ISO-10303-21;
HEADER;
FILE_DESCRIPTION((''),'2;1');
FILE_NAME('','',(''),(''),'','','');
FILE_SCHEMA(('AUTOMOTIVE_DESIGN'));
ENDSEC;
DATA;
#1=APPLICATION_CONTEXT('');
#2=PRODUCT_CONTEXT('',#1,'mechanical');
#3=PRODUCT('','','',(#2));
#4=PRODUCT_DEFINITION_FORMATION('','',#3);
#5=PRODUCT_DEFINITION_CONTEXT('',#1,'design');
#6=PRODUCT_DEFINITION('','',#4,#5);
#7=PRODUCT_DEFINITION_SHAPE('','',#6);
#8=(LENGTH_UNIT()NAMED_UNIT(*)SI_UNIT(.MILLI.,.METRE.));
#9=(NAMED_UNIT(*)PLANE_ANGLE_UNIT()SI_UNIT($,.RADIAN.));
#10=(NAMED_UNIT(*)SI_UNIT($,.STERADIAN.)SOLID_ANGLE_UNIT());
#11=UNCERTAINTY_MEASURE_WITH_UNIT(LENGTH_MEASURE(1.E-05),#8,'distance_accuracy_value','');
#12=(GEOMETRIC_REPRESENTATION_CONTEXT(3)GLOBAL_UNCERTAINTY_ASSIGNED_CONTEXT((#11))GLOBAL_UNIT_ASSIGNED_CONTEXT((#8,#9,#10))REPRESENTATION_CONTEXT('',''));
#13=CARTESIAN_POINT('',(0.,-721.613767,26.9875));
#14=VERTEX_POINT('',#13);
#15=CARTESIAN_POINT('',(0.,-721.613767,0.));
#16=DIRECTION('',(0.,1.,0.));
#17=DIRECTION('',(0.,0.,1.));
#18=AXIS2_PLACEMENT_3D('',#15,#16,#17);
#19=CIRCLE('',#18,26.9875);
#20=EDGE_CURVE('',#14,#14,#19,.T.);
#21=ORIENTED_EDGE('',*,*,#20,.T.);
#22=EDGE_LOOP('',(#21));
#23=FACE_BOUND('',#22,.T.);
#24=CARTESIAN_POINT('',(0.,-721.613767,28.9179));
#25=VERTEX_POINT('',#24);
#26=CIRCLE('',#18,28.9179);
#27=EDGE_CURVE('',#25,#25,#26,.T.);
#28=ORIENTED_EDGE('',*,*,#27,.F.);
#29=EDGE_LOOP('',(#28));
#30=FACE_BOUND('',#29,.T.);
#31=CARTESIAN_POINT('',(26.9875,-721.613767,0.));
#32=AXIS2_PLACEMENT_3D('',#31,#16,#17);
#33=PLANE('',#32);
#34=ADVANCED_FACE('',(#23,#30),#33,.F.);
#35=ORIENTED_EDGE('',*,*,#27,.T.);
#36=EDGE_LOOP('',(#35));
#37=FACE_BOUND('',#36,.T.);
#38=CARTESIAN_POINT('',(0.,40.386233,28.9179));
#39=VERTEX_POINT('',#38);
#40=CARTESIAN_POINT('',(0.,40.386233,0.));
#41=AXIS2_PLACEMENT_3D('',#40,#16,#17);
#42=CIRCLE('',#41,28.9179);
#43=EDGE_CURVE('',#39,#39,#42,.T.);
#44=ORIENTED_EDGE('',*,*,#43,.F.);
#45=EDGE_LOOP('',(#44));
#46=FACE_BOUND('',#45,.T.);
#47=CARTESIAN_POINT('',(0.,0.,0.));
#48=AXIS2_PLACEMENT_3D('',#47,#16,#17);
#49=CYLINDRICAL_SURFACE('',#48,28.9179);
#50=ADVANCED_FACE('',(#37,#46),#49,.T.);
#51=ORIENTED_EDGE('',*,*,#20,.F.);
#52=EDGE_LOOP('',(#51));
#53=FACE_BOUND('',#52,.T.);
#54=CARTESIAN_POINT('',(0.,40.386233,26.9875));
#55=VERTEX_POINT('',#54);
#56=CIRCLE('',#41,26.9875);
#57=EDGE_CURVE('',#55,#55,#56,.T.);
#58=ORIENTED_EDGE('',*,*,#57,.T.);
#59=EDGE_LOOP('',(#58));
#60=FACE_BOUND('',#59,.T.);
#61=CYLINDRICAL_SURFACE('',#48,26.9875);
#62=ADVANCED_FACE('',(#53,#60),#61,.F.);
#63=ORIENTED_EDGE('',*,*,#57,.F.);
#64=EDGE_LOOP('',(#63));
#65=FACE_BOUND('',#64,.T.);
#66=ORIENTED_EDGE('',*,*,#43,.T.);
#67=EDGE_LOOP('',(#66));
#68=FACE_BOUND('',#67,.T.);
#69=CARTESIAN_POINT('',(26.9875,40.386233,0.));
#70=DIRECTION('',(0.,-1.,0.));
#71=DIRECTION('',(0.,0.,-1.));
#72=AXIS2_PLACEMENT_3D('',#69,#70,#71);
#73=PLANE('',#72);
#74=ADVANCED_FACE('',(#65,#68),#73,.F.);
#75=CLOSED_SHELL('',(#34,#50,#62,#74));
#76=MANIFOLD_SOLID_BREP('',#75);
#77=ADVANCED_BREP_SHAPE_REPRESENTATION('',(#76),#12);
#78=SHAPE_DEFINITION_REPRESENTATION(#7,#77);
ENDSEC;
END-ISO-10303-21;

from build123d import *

# Parameters (mm, degrees)
SKETCH1_W = 1.9304
SKETCH1_H = 762


with BuildPart() as part:
    # Sketch1 → Revolve1 (revolve)
    with BuildSketch(Plane.XY, mode=Mode.PRIVATE) as revolve1_sk:
        with Locations((27.9527, -340.613767116)):
            Rectangle(SKETCH1_W, SKETCH1_H)
    revolve(revolve1_sk.sketch.rotate(Axis((0, 0, 0), (0, -1, 0)), 90), axis=Axis((0, 0, 0), (0, -1, 0)))


solid = part.part
